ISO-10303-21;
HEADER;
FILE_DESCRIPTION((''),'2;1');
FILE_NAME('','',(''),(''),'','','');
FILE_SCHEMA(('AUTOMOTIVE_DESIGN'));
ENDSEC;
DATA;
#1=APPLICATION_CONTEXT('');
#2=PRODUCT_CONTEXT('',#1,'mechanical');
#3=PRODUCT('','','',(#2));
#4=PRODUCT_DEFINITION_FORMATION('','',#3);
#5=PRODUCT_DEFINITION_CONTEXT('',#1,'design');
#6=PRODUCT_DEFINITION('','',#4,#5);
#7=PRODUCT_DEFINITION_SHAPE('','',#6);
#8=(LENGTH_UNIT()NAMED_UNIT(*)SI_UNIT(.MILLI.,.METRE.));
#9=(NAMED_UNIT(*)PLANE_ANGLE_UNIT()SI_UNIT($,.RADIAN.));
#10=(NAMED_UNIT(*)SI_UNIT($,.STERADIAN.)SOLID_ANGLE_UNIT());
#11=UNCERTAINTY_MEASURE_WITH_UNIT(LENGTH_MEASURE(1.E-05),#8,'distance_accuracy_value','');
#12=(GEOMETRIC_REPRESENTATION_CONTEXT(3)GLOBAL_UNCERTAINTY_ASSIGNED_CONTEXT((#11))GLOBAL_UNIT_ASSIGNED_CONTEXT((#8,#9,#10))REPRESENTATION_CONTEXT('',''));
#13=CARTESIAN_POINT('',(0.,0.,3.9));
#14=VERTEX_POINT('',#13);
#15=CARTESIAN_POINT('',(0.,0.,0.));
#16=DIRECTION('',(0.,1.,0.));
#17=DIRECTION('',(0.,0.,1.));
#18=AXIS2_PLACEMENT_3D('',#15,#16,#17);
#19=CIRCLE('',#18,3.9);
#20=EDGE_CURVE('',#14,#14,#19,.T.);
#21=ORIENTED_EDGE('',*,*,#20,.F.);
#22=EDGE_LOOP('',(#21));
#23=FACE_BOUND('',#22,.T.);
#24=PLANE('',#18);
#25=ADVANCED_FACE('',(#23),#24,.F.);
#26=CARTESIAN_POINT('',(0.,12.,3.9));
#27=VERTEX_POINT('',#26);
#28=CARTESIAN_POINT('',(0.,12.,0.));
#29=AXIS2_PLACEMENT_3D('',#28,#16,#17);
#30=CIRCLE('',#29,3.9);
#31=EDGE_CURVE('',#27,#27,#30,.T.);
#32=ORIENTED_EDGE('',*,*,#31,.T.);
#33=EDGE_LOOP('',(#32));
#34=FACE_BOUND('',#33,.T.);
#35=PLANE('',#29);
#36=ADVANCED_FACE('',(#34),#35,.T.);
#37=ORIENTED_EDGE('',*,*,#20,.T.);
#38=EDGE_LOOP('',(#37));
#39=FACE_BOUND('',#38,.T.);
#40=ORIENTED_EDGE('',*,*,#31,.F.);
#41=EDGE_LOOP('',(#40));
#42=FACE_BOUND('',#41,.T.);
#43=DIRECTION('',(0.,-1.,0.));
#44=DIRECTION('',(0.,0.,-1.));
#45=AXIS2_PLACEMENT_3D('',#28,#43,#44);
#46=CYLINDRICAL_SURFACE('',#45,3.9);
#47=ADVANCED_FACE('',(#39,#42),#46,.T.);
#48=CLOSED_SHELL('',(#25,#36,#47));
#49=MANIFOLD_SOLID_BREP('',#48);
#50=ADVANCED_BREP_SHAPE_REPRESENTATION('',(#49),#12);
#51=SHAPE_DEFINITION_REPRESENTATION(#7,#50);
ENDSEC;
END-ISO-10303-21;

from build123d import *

# Parameters (mm, degrees)
SKETCH1_R           = 3.9
BOSS_EXTRUDE1_DEPTH = 12


with BuildPart() as part:
    # Sketch1 → Boss-Extrude1 (new body)
    with BuildSketch(Plane(origin=(0, 0, 0), x_dir=(1, 0, 0), z_dir=(0, 1, 0))):
        with Locations(Location((0, 0, 0), (0, 0, 270))):
            Circle(SKETCH1_R)
    extrude(amount=BOSS_EXTRUDE1_DEPTH)


solid = part.part
